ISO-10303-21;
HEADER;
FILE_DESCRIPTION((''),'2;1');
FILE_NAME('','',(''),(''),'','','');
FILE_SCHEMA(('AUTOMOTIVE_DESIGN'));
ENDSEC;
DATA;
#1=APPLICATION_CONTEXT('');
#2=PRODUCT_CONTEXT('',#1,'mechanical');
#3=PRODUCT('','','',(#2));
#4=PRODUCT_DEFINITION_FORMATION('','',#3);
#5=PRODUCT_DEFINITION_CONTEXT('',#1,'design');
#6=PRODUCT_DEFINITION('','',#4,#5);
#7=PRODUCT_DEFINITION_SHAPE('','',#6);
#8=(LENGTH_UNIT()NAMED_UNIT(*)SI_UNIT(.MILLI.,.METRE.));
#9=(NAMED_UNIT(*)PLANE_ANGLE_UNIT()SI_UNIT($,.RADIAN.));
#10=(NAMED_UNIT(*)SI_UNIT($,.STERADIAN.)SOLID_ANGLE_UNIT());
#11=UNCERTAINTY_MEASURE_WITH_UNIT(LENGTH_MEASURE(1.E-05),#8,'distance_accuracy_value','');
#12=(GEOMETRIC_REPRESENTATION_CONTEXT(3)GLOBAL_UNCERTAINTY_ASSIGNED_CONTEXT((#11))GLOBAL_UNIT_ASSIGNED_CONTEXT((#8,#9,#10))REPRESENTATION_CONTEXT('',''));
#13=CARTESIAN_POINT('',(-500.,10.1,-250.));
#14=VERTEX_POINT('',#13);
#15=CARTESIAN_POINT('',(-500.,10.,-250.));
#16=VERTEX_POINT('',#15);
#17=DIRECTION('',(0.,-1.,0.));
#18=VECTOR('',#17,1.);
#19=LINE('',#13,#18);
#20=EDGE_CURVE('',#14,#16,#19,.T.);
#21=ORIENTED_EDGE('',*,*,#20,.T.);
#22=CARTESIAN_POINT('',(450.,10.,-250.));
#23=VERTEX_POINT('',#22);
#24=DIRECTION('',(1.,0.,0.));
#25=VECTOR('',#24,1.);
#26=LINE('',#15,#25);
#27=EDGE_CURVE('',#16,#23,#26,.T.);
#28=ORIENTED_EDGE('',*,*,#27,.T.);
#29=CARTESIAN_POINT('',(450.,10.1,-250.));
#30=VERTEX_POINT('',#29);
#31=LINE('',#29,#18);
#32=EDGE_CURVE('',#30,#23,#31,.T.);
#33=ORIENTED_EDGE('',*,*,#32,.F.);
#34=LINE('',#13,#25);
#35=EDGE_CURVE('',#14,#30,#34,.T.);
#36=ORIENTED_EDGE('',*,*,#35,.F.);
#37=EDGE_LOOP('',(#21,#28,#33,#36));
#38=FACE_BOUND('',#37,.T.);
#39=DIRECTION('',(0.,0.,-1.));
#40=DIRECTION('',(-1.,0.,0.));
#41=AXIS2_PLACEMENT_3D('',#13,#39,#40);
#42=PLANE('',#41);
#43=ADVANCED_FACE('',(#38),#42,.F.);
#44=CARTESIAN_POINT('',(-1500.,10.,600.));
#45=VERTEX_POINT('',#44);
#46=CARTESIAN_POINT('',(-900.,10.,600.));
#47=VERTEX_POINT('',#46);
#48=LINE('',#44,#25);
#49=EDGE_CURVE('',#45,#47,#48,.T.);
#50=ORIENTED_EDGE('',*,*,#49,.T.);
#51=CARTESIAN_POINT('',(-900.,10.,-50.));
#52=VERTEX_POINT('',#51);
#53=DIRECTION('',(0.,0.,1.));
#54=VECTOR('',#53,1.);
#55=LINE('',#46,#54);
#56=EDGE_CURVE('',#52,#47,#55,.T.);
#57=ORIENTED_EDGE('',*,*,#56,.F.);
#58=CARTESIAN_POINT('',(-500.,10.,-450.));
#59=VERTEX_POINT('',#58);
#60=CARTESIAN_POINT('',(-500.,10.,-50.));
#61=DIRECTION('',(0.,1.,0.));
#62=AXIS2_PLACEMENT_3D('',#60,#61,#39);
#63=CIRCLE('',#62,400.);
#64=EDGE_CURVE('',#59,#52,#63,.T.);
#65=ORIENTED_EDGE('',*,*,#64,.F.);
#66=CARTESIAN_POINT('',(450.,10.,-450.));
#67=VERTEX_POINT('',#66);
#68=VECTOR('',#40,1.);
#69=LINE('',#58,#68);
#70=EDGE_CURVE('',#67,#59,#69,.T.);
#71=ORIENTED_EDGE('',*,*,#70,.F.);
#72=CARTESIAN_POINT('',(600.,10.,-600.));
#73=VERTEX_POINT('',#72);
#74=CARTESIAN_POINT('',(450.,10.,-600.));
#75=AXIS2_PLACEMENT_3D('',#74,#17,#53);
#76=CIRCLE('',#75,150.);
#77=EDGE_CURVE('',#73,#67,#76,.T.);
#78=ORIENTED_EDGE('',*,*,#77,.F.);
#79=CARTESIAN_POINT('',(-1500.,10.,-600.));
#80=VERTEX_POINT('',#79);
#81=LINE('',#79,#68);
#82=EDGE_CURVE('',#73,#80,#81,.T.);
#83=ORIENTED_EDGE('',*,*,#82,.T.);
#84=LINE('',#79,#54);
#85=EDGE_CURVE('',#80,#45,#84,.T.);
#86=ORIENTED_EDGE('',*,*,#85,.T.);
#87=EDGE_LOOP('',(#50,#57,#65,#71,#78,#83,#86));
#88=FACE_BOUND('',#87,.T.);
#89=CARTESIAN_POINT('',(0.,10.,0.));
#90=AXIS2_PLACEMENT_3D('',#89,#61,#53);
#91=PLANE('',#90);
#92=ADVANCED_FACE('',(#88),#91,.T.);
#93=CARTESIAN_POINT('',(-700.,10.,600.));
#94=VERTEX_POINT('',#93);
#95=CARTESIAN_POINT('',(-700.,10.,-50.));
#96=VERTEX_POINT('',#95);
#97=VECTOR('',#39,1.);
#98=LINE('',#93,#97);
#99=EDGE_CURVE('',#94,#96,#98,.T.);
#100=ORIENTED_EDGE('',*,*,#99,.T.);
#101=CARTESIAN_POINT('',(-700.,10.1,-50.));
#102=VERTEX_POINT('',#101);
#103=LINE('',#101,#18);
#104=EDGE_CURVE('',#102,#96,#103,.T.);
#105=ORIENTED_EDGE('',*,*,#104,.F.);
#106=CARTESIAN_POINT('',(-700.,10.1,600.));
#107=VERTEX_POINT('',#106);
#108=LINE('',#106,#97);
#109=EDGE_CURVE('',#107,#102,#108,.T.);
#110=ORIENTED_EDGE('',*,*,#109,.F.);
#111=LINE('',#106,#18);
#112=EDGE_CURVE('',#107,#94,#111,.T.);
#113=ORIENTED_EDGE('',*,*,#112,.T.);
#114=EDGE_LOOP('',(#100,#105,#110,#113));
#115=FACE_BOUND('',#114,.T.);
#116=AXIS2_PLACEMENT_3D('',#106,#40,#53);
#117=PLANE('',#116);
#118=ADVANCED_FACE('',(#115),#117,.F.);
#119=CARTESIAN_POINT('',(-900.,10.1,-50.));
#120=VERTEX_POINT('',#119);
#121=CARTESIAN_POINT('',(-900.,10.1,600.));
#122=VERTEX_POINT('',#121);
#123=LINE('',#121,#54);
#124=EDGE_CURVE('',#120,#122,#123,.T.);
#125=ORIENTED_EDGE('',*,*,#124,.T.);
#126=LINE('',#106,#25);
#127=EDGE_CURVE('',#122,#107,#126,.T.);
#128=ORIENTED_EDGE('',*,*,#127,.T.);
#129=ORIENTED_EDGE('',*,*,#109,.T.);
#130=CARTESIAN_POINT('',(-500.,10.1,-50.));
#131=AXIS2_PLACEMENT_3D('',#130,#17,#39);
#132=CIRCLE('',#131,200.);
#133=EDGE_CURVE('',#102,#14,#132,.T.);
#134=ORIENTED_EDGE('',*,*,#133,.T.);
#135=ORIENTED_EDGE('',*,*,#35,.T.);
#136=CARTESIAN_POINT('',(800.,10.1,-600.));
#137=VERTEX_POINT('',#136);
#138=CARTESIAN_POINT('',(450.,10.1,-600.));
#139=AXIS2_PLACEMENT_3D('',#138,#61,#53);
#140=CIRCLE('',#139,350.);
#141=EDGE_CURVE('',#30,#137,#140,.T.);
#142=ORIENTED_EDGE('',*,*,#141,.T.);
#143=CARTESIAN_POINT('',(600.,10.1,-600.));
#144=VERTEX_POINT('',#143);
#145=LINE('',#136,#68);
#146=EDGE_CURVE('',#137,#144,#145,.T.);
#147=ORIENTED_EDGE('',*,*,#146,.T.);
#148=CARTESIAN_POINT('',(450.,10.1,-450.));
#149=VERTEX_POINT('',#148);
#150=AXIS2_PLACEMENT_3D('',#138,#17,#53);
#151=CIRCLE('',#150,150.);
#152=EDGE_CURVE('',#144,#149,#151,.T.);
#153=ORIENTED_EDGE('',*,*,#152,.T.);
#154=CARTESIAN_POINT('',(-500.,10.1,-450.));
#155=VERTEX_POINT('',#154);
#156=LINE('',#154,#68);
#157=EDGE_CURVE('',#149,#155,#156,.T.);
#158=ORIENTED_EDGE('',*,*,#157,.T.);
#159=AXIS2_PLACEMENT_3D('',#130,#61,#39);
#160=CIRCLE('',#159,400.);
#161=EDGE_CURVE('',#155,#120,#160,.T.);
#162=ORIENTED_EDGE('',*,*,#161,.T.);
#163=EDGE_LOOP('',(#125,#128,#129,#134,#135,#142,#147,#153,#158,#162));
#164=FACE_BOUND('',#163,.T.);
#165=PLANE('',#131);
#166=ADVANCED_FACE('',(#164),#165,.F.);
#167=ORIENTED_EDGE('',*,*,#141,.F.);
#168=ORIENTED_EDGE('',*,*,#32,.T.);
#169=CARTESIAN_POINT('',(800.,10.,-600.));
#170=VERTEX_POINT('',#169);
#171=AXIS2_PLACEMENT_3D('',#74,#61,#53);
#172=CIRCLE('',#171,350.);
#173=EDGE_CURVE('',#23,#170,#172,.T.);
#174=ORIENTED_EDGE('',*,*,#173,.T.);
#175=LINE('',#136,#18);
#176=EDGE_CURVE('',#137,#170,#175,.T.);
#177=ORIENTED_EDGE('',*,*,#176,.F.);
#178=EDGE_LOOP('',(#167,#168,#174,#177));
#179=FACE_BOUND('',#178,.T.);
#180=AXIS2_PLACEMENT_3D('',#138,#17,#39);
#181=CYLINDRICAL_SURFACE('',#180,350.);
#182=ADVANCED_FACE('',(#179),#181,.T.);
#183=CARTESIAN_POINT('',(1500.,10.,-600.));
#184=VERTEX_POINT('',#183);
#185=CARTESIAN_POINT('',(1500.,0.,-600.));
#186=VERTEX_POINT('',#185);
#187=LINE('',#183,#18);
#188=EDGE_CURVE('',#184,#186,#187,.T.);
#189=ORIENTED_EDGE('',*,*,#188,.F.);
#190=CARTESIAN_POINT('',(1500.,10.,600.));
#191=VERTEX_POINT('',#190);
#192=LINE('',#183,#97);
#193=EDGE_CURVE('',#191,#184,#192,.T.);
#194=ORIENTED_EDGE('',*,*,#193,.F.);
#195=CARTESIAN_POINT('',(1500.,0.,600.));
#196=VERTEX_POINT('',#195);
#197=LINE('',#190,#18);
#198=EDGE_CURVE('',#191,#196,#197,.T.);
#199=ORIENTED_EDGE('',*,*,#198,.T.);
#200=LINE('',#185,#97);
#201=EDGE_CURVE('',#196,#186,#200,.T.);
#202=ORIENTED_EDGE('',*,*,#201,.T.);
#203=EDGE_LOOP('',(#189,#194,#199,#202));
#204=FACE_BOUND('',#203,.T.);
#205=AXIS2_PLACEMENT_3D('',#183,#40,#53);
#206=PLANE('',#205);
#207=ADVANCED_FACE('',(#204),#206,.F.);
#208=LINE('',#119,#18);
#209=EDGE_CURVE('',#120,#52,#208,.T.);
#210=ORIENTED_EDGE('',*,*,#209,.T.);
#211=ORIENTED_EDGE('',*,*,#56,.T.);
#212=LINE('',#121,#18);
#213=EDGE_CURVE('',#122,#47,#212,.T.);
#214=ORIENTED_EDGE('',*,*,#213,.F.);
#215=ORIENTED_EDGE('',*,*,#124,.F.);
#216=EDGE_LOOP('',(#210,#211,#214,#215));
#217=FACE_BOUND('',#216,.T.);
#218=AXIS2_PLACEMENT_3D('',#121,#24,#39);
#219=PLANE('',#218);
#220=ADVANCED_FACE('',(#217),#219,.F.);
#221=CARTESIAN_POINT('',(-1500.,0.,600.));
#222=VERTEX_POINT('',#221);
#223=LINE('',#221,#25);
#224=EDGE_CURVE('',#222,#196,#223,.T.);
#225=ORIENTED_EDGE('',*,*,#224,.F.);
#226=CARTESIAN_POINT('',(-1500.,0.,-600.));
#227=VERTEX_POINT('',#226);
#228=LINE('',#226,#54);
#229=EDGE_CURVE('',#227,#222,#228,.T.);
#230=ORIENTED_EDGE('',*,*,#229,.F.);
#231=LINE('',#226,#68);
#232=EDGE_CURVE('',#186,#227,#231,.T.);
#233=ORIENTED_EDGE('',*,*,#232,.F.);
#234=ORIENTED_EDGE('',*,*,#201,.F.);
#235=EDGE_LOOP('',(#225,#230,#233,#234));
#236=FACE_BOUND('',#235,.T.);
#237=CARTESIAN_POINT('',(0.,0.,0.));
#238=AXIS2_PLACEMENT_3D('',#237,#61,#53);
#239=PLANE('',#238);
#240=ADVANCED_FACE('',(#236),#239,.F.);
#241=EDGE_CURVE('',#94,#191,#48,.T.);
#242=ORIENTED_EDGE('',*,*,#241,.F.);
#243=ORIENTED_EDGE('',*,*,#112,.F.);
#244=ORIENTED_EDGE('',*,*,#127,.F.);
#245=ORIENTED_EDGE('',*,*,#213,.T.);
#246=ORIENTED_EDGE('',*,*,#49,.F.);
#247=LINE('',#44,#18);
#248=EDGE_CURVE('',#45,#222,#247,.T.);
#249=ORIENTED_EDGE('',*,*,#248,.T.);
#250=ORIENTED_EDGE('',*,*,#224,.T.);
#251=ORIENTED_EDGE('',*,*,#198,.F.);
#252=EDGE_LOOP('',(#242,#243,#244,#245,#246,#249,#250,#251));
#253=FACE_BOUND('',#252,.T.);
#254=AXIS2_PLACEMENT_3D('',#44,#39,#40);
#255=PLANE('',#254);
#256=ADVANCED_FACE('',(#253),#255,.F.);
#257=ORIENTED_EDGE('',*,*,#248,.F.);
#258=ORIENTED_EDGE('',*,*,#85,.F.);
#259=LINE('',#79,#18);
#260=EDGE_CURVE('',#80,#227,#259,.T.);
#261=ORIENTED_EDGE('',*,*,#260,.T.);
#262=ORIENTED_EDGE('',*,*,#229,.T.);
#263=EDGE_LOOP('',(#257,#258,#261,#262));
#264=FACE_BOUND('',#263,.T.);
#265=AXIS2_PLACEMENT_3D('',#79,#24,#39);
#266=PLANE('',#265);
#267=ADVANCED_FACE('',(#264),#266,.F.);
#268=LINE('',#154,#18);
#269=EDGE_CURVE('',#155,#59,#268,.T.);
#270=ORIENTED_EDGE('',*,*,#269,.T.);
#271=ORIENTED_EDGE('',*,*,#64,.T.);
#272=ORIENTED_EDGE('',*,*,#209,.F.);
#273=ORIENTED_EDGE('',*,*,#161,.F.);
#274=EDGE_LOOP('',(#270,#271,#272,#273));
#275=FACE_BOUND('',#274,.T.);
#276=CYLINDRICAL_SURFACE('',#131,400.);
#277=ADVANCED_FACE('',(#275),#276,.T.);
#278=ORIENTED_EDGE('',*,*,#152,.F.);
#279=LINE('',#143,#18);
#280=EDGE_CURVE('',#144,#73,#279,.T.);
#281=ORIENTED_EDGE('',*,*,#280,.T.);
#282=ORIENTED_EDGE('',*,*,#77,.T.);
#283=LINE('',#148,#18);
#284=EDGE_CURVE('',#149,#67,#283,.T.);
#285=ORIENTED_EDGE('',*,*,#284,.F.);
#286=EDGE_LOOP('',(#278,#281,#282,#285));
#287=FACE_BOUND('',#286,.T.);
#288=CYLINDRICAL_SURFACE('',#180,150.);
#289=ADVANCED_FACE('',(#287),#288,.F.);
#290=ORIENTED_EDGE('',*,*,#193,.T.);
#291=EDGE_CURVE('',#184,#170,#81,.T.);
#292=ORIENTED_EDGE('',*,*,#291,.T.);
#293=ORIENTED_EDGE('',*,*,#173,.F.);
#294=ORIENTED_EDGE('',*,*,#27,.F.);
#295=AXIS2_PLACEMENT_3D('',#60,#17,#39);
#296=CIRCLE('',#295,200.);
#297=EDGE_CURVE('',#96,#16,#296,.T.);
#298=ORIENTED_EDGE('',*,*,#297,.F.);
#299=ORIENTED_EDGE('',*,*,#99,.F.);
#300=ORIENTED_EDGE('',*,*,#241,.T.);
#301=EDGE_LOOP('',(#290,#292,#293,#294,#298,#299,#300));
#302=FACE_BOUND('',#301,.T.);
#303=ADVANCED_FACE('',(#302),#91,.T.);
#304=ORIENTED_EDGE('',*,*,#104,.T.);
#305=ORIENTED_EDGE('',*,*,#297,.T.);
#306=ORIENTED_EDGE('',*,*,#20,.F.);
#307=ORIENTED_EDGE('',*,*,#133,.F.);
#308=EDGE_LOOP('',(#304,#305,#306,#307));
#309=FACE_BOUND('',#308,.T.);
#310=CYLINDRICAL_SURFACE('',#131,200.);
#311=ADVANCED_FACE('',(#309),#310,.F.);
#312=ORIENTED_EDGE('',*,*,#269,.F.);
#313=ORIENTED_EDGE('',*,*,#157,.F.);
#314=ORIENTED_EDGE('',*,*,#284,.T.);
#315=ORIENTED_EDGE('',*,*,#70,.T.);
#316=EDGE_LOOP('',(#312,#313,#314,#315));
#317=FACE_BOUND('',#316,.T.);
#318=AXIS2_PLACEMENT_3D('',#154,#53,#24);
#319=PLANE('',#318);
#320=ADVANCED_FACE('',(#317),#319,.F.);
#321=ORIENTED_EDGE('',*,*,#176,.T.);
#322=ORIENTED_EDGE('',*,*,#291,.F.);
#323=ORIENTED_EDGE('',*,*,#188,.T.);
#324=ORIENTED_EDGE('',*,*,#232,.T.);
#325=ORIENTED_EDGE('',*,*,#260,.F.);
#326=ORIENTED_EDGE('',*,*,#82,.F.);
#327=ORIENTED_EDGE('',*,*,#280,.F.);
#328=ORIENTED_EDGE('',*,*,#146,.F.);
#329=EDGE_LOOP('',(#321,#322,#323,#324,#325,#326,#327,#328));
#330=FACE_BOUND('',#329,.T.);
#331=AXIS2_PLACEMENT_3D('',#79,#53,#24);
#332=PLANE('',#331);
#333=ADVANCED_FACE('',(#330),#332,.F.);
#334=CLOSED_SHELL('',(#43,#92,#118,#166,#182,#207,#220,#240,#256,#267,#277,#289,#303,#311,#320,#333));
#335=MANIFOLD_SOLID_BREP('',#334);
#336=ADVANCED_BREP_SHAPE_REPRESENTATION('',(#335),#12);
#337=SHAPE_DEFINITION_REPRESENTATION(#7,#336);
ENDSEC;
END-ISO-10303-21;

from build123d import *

# Parameters (mm, degrees)
SKIZZE1_W   = 3000
SKIZZE1_H   = 1200
BODEN_DEPTH = 10
BAHN_DEPTH  = 0.1


with BuildPart() as part:
    # Skizze1 → Boden (new body)
    with BuildSketch(Plane(origin=(0, 0, 0), x_dir=(1, 0, 0), z_dir=(0, 1, 0))):
        Rectangle(SKIZZE1_W, SKIZZE1_H)
    extrude(amount=BODEN_DEPTH)

    # Skizze2 → Bahn (add)
    with BuildSketch(Plane(origin=(0, 10, 0), x_dir=(1, 0, 0), z_dir=(0, 1, 0))):
        with BuildLine():
            Line((-700, -600), (-700, 50))
            ThreePointArc((-700, 50), (-641.421356237, 191.421356237), (-500, 250))
            Line((-500, 250), (450, 250))
            ThreePointArc((450, 250), (697.487373415, 352.512626585), (800, 600))
            Line((800, 600), (600, 600))
            ThreePointArc((600, 600), (556.066017178, 493.933982822), (450, 450))
            Line((450, 450), (-500, 450))
            ThreePointArc((-500, 450), (-782.842712475, 332.842712475), (-900, 50))
            Line((-900, 50), (-900, -600))
            Line((-900, -600), (-700, -600))
        make_face()
    extrude(amount=BAHN_DEPTH)


solid = part.part
